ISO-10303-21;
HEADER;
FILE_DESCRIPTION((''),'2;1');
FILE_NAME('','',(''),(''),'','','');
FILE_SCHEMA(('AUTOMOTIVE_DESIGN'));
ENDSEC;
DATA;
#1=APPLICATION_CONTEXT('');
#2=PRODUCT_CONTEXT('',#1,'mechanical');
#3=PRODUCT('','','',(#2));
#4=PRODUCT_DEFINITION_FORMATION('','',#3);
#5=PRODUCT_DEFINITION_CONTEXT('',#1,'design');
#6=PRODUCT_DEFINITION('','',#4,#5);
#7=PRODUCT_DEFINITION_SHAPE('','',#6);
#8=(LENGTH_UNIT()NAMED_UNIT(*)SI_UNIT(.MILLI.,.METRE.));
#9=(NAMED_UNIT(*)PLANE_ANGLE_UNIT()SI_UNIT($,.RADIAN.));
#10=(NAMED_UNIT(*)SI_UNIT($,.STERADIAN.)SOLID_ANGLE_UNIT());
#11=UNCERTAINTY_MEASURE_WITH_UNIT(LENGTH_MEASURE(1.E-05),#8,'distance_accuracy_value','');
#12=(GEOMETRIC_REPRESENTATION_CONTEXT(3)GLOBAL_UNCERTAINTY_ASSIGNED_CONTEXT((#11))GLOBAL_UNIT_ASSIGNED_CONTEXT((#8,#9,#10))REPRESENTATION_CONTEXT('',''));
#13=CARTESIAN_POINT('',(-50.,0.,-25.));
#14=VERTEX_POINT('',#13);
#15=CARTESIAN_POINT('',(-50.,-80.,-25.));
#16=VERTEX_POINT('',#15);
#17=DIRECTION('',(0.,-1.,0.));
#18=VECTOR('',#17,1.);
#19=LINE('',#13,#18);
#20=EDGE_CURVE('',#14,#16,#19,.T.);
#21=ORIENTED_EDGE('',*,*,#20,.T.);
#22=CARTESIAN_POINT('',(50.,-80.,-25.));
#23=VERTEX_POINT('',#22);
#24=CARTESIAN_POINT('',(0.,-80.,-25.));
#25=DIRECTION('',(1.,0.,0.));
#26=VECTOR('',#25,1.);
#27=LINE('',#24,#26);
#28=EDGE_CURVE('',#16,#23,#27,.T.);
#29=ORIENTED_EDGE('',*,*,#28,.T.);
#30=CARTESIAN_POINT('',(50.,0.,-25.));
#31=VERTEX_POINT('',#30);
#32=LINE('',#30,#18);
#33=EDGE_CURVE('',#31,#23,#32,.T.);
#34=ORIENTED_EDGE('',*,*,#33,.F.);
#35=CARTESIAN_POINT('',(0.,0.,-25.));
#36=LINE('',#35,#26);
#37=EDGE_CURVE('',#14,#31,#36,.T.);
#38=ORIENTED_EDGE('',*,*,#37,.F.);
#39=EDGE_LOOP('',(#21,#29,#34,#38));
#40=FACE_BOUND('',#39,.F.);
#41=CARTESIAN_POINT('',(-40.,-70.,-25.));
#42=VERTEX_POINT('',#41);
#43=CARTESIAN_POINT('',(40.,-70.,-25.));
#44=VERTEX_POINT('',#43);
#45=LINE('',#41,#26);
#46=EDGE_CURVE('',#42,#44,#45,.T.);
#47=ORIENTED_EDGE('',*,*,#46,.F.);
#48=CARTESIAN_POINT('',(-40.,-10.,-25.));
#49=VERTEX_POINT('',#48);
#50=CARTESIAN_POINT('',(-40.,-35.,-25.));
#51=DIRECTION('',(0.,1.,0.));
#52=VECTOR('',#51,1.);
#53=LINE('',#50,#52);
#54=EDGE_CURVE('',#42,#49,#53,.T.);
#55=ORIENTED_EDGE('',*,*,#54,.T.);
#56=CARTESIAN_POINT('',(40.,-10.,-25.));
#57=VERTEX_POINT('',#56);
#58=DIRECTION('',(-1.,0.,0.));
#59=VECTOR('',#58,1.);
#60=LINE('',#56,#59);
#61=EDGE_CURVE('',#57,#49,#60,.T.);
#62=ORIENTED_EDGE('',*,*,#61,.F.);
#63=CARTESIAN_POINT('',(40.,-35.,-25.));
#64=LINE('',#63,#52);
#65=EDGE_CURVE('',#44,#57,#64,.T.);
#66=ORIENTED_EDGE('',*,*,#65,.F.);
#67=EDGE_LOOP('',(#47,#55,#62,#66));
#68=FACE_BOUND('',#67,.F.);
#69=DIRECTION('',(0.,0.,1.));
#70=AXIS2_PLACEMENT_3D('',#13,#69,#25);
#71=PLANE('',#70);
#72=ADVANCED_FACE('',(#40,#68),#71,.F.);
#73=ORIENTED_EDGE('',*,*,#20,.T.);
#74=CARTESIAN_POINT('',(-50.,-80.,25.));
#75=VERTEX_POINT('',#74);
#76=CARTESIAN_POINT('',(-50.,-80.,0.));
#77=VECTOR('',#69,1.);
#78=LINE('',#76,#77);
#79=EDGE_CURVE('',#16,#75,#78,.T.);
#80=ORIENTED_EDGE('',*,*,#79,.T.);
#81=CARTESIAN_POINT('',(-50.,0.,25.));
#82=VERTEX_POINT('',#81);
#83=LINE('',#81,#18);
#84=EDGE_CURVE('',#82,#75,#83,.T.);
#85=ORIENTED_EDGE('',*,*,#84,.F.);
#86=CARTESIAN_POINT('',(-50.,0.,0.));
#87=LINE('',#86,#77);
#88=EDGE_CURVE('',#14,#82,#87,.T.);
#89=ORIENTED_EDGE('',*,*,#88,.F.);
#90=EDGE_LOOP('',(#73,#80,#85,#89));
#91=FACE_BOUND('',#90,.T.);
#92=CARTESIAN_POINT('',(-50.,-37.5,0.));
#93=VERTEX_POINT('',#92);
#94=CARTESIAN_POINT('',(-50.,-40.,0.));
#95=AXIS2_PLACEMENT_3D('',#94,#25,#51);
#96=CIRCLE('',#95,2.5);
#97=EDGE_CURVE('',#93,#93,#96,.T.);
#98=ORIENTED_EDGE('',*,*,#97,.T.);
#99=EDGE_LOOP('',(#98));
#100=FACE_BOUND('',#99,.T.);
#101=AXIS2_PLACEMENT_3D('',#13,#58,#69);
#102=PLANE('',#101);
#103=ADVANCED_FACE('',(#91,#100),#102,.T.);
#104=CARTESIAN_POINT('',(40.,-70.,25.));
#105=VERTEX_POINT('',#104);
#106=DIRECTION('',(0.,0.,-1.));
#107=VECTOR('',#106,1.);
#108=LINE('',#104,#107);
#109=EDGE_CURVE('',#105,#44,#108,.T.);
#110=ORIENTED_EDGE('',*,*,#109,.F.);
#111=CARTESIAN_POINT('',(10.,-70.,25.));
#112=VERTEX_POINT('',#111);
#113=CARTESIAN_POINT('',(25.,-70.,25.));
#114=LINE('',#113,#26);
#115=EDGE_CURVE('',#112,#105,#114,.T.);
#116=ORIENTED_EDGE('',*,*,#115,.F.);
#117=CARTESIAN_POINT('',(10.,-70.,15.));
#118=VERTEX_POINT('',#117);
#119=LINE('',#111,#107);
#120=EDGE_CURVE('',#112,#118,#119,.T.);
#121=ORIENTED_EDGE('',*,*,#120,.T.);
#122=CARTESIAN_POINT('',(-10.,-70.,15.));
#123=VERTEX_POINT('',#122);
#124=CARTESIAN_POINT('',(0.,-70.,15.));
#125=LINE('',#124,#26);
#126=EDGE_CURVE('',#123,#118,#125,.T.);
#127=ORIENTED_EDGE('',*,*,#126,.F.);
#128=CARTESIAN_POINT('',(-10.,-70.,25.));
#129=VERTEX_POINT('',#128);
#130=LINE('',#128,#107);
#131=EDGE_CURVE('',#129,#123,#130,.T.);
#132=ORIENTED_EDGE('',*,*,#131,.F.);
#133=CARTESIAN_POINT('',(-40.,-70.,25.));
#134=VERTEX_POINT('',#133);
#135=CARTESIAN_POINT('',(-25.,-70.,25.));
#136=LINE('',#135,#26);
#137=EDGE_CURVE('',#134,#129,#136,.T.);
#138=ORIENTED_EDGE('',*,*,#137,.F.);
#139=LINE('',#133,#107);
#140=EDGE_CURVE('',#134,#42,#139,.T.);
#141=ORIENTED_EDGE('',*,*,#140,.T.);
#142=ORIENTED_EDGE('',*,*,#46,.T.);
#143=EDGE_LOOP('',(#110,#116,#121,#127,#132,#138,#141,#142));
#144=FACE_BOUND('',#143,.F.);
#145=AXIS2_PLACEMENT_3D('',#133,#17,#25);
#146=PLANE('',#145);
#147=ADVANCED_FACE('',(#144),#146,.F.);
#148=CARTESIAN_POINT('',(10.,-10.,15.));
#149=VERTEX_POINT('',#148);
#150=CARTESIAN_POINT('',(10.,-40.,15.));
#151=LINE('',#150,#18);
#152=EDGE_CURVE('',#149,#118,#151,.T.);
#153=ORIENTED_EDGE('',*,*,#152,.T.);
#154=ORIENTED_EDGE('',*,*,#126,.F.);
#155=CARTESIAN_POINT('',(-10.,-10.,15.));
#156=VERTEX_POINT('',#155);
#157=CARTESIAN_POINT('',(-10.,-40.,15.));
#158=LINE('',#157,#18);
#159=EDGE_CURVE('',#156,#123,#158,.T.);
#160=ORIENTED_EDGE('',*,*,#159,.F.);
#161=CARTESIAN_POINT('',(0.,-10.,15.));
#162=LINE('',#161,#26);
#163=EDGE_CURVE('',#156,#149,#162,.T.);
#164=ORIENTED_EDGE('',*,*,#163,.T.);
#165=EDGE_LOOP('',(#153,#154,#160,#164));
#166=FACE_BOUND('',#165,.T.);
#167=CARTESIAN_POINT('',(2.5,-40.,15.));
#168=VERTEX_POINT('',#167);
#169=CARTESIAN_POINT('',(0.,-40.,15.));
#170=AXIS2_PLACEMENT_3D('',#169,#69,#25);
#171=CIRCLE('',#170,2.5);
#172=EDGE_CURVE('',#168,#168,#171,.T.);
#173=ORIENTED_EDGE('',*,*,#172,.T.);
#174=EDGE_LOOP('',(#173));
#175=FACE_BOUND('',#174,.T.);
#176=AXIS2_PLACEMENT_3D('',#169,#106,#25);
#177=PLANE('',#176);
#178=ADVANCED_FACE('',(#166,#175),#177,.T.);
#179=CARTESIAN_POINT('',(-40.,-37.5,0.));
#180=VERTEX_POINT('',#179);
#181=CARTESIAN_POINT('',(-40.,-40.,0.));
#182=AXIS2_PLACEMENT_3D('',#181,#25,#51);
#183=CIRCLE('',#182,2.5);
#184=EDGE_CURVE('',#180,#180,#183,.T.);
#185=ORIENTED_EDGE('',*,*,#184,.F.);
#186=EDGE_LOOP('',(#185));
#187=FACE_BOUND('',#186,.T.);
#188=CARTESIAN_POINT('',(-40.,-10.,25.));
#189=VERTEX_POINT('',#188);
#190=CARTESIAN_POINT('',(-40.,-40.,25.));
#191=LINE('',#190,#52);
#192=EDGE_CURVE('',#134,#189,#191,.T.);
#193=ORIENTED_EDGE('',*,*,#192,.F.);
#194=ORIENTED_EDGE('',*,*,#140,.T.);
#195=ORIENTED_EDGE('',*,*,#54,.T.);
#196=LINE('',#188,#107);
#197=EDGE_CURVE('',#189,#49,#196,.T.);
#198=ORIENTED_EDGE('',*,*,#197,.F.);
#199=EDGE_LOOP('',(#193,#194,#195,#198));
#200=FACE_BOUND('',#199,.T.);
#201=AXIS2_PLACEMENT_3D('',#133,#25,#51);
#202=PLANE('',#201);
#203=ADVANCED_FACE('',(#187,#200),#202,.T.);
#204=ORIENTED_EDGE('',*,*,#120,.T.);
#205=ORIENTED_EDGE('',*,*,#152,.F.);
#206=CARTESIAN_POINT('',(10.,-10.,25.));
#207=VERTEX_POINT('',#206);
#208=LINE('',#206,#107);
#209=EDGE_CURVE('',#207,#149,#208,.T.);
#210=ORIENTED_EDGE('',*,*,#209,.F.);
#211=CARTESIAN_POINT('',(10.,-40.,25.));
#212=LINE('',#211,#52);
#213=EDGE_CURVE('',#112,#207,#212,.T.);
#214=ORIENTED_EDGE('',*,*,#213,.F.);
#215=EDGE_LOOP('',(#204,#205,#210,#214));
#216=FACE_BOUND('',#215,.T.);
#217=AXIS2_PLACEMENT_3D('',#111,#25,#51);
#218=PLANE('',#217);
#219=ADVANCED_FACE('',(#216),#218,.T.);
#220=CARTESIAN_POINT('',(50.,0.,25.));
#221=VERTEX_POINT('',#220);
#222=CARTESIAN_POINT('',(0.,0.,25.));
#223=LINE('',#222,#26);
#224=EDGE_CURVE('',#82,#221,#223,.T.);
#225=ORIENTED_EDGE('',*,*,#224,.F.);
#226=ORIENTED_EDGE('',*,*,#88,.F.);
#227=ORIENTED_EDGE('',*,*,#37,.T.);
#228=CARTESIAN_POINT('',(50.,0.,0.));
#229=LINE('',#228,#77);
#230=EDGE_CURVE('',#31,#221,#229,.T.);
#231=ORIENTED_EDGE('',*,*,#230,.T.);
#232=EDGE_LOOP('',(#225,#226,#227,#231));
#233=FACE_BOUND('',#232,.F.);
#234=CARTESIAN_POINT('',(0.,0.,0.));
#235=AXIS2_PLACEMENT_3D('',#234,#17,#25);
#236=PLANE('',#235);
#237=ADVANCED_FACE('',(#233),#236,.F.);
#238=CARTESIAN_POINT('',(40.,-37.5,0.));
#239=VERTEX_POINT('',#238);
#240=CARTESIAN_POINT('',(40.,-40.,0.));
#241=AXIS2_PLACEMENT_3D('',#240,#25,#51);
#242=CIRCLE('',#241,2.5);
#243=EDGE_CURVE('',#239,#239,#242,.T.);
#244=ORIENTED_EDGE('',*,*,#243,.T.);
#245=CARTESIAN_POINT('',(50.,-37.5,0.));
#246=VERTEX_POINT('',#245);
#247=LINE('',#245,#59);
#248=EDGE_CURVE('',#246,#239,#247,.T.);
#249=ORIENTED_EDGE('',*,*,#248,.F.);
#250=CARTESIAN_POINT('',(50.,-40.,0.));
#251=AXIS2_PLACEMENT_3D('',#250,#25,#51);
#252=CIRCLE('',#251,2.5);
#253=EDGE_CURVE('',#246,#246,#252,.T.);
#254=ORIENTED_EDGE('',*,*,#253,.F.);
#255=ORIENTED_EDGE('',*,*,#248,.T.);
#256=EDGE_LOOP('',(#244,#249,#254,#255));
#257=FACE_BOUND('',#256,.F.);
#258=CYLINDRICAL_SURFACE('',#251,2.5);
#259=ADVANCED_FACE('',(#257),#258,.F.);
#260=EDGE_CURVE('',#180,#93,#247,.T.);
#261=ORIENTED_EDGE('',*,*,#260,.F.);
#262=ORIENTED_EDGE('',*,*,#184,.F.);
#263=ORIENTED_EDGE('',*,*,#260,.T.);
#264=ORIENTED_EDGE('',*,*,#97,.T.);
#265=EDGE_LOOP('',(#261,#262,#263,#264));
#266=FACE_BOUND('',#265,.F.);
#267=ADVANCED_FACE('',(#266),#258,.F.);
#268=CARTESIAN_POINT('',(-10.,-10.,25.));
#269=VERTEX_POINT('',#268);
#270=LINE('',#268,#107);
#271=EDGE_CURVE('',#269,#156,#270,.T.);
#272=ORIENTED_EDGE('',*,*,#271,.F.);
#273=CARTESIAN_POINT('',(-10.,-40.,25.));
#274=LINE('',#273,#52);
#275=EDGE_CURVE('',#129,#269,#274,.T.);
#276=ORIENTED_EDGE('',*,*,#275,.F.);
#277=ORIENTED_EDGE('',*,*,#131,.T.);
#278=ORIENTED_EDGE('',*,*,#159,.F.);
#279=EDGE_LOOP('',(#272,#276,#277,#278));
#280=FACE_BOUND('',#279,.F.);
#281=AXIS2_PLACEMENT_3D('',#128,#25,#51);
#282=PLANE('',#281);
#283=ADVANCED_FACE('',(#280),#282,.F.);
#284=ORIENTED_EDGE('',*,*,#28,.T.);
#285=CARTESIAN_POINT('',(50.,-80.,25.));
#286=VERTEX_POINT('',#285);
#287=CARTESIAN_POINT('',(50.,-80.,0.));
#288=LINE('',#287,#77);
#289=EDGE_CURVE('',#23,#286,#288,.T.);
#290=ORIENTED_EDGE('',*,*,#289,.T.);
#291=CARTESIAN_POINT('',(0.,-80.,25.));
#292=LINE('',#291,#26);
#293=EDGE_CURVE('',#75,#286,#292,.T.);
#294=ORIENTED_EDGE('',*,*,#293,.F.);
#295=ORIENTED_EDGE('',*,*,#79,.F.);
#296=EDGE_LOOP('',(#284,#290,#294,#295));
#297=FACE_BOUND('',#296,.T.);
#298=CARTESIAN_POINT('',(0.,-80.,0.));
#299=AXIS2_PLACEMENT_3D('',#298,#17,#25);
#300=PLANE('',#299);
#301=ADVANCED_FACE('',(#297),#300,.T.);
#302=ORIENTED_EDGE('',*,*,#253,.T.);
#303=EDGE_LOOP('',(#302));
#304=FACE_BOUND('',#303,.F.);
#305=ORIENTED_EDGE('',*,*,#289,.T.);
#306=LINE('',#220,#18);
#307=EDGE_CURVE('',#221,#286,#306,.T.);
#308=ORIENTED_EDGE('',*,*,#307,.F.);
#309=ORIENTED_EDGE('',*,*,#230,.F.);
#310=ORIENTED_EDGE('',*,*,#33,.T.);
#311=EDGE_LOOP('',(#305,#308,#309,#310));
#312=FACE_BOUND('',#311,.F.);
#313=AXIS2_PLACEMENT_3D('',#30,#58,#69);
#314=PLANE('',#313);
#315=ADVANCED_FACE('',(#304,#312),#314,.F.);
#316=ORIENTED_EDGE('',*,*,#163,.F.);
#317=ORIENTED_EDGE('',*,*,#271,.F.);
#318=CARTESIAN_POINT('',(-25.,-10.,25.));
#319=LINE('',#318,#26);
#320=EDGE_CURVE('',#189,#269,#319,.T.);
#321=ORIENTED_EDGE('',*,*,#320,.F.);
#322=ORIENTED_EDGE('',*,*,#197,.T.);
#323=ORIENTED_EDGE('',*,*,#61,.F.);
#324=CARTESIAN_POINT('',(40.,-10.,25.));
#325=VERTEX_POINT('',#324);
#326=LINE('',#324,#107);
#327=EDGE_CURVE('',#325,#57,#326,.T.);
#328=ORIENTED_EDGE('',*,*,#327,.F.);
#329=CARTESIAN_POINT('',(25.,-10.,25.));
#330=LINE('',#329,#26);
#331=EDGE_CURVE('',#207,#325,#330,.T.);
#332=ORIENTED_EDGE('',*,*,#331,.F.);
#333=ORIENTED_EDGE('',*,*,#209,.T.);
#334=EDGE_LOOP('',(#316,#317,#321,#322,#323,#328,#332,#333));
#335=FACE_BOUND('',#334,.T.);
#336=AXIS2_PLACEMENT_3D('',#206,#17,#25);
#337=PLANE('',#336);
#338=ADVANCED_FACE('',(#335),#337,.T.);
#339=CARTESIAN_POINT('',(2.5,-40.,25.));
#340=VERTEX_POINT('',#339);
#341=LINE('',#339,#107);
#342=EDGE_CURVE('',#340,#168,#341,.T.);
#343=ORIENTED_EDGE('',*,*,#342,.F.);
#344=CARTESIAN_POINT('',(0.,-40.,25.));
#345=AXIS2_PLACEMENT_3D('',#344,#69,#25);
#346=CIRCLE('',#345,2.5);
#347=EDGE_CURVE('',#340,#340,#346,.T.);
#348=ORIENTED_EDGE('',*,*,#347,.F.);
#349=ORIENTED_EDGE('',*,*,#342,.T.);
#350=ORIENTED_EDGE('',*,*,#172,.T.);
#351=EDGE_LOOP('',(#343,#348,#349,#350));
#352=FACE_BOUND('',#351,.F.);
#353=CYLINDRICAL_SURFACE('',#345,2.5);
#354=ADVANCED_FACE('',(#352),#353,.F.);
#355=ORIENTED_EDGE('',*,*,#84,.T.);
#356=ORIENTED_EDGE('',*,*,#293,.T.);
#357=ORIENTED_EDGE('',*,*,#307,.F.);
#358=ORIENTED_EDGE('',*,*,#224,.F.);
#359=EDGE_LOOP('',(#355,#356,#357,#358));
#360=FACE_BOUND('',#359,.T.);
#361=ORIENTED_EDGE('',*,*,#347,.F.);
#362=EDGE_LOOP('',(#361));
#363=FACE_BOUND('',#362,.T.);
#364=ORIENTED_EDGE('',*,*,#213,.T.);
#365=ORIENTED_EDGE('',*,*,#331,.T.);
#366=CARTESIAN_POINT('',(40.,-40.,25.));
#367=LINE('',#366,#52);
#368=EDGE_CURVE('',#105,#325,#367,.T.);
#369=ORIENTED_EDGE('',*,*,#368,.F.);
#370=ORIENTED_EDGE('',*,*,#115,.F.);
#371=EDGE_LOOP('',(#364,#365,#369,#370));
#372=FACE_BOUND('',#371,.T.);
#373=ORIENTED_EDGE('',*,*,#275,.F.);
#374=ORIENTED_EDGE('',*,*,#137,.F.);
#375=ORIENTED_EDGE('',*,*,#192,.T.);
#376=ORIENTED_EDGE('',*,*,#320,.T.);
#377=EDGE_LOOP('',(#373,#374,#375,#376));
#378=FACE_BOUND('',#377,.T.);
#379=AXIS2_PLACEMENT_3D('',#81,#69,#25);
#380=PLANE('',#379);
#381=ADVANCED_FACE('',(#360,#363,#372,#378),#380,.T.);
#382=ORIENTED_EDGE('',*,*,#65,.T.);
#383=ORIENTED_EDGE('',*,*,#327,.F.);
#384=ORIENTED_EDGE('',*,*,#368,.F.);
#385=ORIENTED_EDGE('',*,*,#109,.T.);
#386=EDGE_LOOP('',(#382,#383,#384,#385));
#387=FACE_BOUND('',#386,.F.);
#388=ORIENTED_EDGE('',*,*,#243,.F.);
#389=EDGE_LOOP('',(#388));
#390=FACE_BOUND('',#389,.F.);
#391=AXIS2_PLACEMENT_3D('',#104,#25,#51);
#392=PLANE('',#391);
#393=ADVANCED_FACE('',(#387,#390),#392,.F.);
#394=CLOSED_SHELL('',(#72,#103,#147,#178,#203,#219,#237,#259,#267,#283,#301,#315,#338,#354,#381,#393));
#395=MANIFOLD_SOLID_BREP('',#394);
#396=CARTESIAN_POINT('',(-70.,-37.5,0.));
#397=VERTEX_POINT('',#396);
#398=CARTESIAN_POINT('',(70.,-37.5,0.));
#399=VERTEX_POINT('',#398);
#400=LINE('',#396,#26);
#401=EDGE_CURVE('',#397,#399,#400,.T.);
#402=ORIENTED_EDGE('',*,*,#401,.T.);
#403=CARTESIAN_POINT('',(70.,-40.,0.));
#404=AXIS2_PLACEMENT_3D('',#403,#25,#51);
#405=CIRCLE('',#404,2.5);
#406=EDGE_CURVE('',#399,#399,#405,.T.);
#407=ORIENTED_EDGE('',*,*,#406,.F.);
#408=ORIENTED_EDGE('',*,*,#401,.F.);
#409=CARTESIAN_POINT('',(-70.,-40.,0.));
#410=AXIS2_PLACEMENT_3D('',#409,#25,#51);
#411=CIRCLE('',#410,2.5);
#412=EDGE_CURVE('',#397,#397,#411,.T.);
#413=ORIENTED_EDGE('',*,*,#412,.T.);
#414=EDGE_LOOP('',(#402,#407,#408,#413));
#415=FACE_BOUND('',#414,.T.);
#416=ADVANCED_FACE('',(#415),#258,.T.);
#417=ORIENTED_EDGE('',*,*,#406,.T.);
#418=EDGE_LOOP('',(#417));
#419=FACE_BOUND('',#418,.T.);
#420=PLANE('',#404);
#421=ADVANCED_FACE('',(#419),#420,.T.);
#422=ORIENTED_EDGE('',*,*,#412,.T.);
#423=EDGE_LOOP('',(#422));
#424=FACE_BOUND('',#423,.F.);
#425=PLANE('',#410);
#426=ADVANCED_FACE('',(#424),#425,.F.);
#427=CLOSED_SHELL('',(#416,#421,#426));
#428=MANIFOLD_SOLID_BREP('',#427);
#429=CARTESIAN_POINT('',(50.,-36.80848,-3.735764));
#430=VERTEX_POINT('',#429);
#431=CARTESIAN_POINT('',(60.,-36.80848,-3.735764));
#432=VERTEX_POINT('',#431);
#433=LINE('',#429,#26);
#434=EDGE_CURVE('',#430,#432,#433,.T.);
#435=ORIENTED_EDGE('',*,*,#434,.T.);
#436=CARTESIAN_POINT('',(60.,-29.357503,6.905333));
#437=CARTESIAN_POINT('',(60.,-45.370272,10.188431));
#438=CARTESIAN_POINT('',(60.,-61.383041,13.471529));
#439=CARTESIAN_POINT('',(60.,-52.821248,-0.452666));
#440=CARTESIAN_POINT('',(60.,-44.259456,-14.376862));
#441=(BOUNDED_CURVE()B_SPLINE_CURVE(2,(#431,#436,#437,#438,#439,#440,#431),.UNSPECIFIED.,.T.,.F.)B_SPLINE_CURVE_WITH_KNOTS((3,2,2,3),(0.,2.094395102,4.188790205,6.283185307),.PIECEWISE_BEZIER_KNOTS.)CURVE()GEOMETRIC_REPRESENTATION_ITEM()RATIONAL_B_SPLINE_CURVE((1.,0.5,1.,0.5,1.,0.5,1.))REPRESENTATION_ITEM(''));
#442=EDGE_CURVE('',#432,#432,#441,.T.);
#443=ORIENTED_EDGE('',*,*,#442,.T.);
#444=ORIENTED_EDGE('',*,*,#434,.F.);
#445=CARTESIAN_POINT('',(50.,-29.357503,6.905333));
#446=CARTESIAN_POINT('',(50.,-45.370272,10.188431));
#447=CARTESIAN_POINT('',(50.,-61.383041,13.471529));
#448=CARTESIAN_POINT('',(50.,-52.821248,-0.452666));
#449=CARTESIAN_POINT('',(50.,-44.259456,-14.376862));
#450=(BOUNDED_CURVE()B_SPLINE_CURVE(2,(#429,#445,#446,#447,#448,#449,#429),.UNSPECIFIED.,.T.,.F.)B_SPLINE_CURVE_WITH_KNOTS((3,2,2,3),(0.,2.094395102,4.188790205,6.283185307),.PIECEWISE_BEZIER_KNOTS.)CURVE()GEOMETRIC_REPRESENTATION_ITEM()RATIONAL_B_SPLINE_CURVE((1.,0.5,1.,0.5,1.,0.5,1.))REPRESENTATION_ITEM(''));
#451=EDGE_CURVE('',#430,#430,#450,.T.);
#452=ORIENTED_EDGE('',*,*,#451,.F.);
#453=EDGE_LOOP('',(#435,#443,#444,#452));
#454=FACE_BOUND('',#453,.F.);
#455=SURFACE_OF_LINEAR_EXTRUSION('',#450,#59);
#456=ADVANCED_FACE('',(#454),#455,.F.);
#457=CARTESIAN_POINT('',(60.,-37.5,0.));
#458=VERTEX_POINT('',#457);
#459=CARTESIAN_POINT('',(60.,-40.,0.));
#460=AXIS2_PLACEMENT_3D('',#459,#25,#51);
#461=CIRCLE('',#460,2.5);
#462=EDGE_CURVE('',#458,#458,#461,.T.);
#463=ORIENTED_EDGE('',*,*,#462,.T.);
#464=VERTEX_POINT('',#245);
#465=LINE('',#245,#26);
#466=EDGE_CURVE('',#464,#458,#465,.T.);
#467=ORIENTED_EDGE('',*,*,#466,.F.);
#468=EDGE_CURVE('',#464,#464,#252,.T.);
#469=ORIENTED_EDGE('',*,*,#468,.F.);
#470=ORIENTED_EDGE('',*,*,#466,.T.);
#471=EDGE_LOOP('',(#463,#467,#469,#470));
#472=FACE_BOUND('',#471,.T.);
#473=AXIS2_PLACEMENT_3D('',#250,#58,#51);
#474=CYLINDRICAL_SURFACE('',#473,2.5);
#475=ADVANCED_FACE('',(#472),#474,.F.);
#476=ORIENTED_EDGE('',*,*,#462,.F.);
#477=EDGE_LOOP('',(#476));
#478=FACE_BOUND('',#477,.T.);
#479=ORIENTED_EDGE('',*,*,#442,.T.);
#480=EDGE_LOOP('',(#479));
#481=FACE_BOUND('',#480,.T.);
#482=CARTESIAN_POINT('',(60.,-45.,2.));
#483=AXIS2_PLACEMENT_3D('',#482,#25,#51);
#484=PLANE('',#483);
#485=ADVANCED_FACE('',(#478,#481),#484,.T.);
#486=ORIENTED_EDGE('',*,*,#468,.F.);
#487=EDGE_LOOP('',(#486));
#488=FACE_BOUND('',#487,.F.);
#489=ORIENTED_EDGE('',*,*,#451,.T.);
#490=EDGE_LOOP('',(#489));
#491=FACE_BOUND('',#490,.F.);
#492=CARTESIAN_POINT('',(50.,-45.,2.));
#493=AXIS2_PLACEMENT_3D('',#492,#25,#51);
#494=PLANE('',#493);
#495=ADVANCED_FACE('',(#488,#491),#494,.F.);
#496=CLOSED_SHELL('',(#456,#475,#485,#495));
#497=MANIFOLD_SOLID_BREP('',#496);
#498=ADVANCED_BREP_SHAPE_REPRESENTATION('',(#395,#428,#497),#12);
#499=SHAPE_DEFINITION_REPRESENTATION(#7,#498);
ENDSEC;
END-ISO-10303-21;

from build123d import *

# Parameters (mm, degrees)
F0_W          = 100
F0_H          = 50
F1_DEPTH      = 80
F2_W          = 30
F2_H          = 60
F3_DEPTH      = 50.001
F4_R          = 2.5
F5_DEPTH      = 100.001
F6_DEPTH      = 20
F6_DEPTH_BACK = 120
F7_R          = 2.5
F8_DEPTH      = 10
F9_W          = 20
F9_H          = 60
F10_DEPTH     = 40
F11_R         = 2.5
F12_DEPTH     = 50.001


with BuildPart() as f1:
    # F0 (on Front) → F1 (new body)
    with BuildSketch(Plane.XZ):
        Rectangle(F0_W, F0_H)
    extrude(amount=F1_DEPTH)

    # F2 (on face) → F3 (cut, through all)
    with BuildSketch(Plane.XY.offset(25)):
        with Locations((-25, -40)):
            Rectangle(F2_W, F2_H)
        with Locations((25, -40)):
            Rectangle(F2_W, F2_H)
    extrude(amount=-F3_DEPTH, mode=Mode.SUBTRACT)

    # F4 (on face) → F5 (cut, through all)
    with BuildSketch(Plane.YZ.offset(50)):
        with Locations((-40, 0)):
            Circle(F4_R)
    extrude(amount=-F5_DEPTH, mode=Mode.SUBTRACT)

    # F9 (on face) → F10 (cut)
    with BuildSketch(Plane(origin=(0, 0, -25), x_dir=(1, 0, 0), z_dir=(0, 0, -1))):
        with Locations((0, 40)):
            Rectangle(F9_W, F9_H)
    extrude(amount=-F10_DEPTH, mode=Mode.SUBTRACT)

    # F11 (on face) → F12 (cut, through all)
    with BuildSketch(Plane.XY.offset(25)):
        with Locations((0, -40)):
            Circle(F11_R)
    extrude(amount=-F12_DEPTH, mode=Mode.SUBTRACT)


with BuildPart() as f6:
    # F4 (on face) → F6 (new body, two sides)
    with BuildSketch(Plane.YZ.offset(50)) as f6_sk:
        with Locations((-40, 0)):
            Circle(F4_R)
    extrude(amount=F6_DEPTH)
    extrude(f6_sk.sketch, amount=-F6_DEPTH_BACK)


with BuildPart() as f8:
    # F7 (on face) → F8 (new body)
    with BuildSketch(Plane.YZ.offset(50)):
        with BuildLine():
            add(Edge.make_bspline(
                [(-36.8084795571, -3.7357643635), (-29.3575030837, 6.9053328352), (-45.3702719848, 10.1884307811), (-61.3830408858, 13.471528727), (-52.8212484581, -0.4526664176), (-44.2594560305, -14.3768615623), (-36.8084795571, -3.7357643635)],
                knots=[0, 0, 0, 2.0943951024, 2.0943951024, 4.1887902048, 4.1887902048, 6.2831853072, 6.2831853072, 6.2831853072], degree=2, weights=[1, 0.5, 1, 0.5, 1, 0.5, 1]))
        make_face()
        with Locations((-40, 0)):
            Circle(F7_R, mode=Mode.SUBTRACT)
    extrude(amount=F8_DEPTH)


solid = Compound([f1.part, f6.part, f8.part])
